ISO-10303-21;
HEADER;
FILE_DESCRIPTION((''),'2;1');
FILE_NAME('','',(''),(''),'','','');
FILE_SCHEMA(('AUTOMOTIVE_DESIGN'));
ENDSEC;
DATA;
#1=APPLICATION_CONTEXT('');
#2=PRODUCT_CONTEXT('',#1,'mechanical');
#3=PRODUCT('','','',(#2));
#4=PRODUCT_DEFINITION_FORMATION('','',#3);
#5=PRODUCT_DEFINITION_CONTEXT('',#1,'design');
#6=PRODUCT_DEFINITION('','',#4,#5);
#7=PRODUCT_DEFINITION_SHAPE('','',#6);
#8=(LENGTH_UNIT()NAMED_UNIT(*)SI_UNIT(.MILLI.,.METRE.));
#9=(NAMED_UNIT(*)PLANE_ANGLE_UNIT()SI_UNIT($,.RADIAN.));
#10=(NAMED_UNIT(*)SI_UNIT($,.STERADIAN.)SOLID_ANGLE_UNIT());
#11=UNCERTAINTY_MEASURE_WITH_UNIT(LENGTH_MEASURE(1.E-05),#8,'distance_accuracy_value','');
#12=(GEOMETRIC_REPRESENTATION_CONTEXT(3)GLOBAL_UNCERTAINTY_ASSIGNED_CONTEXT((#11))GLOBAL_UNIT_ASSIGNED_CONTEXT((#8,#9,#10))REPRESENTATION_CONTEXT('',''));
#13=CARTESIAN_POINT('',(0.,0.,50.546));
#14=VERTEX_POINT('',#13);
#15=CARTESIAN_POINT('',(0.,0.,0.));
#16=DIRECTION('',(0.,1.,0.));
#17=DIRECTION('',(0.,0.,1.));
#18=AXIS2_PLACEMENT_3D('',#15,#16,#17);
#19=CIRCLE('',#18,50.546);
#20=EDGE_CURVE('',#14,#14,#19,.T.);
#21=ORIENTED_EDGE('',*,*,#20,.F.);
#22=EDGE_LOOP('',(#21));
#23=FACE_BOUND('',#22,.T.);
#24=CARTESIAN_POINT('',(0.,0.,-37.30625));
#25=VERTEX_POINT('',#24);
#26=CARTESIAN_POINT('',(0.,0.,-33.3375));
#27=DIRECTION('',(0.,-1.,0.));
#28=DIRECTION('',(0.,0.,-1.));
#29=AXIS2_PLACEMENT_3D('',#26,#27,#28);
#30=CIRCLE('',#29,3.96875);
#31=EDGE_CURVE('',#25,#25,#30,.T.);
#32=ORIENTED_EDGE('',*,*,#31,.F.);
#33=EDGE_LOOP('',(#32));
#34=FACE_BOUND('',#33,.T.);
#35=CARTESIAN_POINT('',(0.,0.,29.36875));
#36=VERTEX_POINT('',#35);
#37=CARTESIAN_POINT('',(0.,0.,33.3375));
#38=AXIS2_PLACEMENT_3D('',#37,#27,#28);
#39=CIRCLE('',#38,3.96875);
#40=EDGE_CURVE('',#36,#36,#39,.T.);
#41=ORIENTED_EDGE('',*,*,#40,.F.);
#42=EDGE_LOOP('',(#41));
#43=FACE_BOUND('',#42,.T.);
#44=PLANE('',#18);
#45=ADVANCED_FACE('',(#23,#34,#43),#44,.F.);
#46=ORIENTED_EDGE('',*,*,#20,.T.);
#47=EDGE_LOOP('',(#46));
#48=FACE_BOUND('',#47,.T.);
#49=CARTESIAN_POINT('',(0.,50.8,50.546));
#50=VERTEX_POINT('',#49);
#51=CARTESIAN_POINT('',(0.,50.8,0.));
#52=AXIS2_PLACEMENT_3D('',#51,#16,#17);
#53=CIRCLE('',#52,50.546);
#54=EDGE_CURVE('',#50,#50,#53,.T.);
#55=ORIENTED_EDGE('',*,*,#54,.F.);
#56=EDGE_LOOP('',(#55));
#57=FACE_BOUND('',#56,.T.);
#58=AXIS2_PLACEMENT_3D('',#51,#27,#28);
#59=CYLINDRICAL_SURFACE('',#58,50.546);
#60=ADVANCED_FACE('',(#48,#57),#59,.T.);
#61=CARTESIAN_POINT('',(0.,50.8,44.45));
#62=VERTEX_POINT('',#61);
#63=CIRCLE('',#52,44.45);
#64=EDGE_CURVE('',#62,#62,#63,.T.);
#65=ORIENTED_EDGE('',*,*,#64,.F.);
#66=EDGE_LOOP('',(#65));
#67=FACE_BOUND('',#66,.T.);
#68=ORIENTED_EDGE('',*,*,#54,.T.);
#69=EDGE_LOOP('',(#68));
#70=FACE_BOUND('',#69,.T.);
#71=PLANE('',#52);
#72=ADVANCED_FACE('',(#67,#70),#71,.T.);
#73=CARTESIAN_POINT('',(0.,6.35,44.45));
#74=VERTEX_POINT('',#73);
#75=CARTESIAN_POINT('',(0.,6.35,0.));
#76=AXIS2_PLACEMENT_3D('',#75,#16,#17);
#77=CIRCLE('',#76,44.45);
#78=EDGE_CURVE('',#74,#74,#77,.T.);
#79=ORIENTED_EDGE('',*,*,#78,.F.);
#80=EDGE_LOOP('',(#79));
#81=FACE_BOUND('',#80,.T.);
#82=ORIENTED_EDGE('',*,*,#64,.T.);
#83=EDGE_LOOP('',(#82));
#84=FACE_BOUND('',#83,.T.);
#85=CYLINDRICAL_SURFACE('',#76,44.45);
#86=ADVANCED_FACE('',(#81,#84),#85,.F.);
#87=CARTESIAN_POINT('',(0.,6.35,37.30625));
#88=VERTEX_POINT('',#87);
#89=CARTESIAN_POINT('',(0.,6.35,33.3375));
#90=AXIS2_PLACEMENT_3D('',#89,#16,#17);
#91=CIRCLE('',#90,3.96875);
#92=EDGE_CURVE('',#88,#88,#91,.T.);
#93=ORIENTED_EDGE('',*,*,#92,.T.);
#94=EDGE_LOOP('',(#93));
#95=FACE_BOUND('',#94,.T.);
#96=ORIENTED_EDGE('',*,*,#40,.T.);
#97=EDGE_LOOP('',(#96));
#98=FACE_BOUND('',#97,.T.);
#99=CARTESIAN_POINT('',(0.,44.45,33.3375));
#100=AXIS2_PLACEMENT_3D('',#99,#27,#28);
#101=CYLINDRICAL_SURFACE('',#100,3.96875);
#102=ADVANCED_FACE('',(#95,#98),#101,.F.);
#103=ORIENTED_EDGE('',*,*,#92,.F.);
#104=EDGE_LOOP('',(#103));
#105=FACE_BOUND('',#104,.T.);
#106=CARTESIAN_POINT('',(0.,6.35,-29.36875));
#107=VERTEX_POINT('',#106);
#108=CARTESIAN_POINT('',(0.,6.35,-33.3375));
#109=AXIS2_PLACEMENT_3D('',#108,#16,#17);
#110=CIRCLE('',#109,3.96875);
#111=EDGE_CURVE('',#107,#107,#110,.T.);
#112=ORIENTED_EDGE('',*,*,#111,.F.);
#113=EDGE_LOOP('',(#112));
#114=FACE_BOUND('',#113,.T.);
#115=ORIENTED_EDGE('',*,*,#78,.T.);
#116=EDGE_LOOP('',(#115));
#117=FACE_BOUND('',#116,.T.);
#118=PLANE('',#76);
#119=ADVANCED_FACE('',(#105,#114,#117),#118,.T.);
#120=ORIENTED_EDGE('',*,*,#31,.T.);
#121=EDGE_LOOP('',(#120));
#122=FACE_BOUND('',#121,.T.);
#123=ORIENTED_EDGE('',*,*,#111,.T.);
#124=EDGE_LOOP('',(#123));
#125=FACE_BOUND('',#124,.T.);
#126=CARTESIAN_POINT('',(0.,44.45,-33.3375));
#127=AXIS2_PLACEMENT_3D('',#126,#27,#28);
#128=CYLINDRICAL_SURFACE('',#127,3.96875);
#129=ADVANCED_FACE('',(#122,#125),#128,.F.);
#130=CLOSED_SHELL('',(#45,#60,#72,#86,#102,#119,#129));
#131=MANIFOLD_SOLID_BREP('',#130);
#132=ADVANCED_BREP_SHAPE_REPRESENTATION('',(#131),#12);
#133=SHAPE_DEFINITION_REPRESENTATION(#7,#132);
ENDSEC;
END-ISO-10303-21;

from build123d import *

# Parameters (mm, degrees)
SKETCH1_R           = 50.546
BOSS_EXTRUDE1_DEPTH = 50.8
SKETCH2_R           = 44.45
CUT_EXTRUDE1_DEPTH  = 44.45
SKETCH3_R           = 3.96875
CUT_EXTRUDE2_DEPTH  = 44.45


with BuildPart() as part:
    # Sketch1 → Boss-Extrude1 (new body)
    with BuildSketch(Plane(origin=(0, 0, 0), x_dir=(1, 0, 0), z_dir=(0, 1, 0))):
        with Locations(Location((0, 0, 0), (0, 0, 270))):
            Circle(SKETCH1_R)
    extrude(amount=BOSS_EXTRUDE1_DEPTH)

    # Sketch2 → Cut-Extrude1 (cut)
    with BuildSketch(Plane(origin=(0, 50.8, 0), x_dir=(1, 0, 0), z_dir=(0, 1, 0))):
        with Locations(Location((0, 0, 0), (0, 0, 270))):
            Circle(SKETCH2_R)
    extrude(amount=-CUT_EXTRUDE1_DEPTH, mode=Mode.SUBTRACT)

    # Sketch3 → Cut-Extrude2 (cut)
    with BuildSketch(Plane.XZ):
        with Locations(Location((0, 33.3375, 0), (0, 0, 270))):
            Circle(SKETCH3_R)
        with Locations(Location((0, -33.3375, 0), (0, 0, 270))):
            Circle(SKETCH3_R)
    extrude(amount=-CUT_EXTRUDE2_DEPTH, mode=Mode.SUBTRACT)


solid = part.part
